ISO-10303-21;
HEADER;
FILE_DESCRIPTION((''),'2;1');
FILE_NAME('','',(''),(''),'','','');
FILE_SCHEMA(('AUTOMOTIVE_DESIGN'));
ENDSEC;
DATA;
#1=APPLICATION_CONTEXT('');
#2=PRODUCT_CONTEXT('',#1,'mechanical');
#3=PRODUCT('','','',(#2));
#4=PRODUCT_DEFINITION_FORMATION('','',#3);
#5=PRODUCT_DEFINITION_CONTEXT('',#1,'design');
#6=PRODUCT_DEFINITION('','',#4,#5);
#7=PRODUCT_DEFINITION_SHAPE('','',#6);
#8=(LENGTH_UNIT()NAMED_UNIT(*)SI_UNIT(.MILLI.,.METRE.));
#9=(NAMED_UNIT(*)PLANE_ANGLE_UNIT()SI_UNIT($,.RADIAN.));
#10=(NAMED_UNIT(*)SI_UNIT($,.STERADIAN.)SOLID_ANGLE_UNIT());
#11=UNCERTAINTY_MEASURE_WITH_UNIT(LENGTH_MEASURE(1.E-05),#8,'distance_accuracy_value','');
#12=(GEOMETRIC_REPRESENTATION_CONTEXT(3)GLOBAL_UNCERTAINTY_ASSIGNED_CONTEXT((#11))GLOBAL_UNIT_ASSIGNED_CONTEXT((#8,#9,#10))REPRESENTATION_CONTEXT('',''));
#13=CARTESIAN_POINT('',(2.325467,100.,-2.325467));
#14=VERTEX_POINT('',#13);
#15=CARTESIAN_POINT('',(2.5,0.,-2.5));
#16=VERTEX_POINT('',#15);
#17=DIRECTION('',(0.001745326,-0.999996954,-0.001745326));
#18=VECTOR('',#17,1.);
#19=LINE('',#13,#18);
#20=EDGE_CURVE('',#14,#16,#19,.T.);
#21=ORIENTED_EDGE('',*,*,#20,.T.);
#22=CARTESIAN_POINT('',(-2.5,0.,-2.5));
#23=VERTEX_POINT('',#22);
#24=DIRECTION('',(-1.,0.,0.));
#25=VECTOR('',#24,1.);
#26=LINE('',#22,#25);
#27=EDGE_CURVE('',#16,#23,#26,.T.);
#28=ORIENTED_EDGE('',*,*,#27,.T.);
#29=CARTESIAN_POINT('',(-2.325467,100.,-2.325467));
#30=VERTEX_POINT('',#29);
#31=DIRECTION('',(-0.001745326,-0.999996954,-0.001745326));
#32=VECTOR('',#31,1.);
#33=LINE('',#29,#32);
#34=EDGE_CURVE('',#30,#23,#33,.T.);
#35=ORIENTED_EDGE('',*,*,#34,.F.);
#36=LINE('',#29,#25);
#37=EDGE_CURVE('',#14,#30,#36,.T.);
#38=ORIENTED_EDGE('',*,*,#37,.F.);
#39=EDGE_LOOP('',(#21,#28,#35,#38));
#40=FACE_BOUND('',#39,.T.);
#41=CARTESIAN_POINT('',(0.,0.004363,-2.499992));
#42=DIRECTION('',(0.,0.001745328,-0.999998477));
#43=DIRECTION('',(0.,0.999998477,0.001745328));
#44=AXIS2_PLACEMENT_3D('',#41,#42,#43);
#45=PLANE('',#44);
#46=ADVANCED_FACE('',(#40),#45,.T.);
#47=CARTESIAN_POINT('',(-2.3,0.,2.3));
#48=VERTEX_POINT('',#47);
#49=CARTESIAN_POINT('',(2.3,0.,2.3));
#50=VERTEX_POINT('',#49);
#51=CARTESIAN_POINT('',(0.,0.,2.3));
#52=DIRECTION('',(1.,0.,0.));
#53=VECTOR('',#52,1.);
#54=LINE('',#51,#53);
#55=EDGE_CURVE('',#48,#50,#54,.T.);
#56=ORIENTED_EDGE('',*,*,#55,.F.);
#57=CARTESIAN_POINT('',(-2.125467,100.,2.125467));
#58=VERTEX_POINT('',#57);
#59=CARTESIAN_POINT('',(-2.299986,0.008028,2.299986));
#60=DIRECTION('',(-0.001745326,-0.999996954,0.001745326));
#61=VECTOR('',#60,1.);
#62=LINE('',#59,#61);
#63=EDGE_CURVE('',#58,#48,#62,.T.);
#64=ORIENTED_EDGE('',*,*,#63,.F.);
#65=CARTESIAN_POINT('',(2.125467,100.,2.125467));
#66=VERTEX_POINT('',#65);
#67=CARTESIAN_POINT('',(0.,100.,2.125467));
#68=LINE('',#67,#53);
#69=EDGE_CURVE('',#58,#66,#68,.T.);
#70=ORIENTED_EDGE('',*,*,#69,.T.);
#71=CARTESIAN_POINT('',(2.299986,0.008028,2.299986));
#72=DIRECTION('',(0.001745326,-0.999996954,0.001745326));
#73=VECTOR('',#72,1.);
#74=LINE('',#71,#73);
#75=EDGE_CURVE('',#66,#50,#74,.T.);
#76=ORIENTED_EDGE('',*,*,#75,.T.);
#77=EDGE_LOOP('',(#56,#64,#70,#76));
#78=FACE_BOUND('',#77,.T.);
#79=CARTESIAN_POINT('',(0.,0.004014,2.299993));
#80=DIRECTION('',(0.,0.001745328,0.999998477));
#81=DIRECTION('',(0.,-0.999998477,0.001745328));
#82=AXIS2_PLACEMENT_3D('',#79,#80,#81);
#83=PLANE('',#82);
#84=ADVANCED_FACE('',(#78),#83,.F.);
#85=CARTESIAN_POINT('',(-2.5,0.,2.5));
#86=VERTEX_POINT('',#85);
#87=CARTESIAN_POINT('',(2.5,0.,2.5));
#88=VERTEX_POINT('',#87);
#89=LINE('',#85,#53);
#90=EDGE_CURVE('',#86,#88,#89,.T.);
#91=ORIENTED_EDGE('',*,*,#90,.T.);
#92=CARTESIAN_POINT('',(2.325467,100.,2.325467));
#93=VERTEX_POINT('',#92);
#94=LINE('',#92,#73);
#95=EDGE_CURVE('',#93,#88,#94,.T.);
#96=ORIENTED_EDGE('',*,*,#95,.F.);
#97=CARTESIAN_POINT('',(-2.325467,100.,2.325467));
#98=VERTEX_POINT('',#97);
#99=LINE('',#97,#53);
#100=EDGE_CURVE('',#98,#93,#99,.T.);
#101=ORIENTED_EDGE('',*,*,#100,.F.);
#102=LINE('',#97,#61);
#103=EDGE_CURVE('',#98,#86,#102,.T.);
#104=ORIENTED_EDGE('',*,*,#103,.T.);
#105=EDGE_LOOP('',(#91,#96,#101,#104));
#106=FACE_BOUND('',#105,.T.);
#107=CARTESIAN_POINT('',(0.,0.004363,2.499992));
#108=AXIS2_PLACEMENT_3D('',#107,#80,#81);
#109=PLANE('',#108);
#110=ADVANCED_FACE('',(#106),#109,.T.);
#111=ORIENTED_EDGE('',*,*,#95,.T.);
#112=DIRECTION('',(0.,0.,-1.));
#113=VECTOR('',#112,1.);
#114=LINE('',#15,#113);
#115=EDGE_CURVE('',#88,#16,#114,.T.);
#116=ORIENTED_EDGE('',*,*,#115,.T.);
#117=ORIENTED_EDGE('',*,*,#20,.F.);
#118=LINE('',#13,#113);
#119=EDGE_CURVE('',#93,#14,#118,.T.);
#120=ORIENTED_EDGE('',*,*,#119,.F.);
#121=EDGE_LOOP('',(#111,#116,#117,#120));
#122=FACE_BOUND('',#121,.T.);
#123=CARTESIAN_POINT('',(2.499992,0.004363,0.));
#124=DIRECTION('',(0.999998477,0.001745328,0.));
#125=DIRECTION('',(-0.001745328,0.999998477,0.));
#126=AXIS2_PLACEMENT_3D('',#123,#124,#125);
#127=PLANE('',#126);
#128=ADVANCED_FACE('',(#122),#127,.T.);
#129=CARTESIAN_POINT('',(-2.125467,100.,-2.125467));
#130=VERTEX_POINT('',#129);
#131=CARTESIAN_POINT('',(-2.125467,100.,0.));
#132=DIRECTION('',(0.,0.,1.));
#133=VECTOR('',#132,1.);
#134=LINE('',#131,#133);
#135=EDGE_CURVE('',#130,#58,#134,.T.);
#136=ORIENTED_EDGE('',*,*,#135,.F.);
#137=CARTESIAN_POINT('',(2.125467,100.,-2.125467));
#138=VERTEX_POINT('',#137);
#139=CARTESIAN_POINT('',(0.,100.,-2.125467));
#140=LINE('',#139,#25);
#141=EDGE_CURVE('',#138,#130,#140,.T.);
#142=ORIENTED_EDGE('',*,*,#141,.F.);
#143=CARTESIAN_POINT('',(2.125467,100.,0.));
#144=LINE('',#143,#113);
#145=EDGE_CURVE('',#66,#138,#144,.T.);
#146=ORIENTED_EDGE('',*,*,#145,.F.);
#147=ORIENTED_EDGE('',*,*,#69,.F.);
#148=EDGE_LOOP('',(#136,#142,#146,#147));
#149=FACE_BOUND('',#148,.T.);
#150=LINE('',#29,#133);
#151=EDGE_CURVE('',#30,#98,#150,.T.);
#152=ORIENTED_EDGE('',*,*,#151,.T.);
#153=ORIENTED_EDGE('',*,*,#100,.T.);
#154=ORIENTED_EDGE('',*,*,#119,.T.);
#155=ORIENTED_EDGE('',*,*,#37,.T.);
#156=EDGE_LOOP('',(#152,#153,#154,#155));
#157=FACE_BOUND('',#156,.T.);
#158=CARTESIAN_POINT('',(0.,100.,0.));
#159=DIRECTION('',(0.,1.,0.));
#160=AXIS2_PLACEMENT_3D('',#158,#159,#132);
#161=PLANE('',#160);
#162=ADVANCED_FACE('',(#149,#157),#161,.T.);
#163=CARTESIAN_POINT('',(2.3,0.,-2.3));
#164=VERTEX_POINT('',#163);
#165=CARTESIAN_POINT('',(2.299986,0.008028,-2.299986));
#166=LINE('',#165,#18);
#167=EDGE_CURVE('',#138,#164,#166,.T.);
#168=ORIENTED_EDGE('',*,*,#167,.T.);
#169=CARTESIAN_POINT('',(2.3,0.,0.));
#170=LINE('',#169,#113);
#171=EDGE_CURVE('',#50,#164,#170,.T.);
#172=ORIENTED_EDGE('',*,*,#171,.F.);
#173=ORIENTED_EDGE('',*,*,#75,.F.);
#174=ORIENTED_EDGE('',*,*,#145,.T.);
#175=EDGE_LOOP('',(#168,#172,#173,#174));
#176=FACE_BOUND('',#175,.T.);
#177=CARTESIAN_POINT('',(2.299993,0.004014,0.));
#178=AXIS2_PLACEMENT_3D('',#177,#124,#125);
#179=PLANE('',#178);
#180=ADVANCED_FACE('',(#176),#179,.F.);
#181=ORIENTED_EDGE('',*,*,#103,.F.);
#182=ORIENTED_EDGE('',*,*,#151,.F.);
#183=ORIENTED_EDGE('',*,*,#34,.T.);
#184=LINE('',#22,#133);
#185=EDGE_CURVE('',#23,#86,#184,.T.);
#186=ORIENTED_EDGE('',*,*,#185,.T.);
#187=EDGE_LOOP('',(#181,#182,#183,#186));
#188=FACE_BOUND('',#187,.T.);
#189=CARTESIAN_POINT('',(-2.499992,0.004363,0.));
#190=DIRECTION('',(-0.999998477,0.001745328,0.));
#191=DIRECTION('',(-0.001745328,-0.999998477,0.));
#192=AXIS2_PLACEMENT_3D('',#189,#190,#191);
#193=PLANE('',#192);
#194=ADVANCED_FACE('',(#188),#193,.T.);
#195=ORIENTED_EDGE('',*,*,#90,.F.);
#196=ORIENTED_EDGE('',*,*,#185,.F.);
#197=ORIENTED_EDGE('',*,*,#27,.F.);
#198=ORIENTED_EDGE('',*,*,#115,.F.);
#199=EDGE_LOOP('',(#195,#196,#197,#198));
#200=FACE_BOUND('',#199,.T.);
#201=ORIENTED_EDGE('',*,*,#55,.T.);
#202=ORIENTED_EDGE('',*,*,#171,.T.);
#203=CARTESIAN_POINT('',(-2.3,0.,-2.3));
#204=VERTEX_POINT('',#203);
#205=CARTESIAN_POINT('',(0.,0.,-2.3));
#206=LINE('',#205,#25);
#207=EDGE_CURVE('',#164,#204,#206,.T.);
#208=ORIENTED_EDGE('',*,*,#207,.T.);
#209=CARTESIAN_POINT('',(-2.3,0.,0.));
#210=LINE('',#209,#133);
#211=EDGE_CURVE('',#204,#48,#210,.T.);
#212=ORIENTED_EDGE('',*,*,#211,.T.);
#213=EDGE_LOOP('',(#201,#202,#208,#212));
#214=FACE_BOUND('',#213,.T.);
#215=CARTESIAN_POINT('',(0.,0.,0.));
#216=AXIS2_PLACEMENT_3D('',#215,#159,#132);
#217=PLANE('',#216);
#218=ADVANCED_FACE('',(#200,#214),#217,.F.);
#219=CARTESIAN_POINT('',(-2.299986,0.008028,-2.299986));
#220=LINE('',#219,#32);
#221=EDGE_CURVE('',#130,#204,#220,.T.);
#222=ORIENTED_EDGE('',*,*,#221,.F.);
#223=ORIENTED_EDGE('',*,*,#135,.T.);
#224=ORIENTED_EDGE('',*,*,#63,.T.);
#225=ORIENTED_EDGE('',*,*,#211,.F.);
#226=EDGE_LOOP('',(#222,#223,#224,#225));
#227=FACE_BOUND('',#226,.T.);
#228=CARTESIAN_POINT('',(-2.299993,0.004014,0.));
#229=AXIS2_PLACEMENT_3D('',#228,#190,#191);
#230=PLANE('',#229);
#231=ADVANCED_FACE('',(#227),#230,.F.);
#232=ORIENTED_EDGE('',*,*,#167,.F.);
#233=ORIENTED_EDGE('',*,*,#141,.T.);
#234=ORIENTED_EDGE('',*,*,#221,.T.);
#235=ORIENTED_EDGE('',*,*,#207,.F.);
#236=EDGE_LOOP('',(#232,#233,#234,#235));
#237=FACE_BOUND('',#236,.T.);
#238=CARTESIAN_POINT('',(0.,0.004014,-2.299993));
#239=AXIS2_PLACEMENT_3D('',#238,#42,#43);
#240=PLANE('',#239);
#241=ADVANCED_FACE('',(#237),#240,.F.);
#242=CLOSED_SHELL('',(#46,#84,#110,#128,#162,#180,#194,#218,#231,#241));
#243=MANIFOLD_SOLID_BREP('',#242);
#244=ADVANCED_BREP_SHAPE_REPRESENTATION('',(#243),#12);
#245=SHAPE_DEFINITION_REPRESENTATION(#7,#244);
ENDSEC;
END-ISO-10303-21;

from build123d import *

# Parameters (mm, degrees)
SHELL_1_T = -0.2


with BuildPart() as part:
    # 草图2 → 放样1 section 0
    with BuildSketch(Plane(origin=(0, 100, 0), x_dir=(1, 0, 0), z_dir=(0, 1, 0))):
        with BuildLine():
            Line((-2.325466898, 2.325466898), (2.325466898, 2.325466898))
            Line((2.325466898, 2.325466898), (2.325466898, -2.325466898))
            Line((2.325466898, -2.325466898), (-2.325466898, -2.325466898))
            Line((-2.325466898, -2.325466898), (-2.325466898, 2.325466898))
        make_face()
    # 草图1 → 放样1 section 1
    with BuildSketch(Plane(origin=(0, 0, 0), x_dir=(1, 0, 0), z_dir=(0, 1, 0))):
        with BuildLine():
            Line((-2.5, 2.5), (2.5, 2.5))
            Line((2.5, 2.5), (2.5, -2.5))
            Line((2.5, -2.5), (-2.5, -2.5))
            Line((-2.5, -2.5), (-2.5, 2.5))
        make_face()
    loft()

    # 抽壳1
    shell_1_openings = [part.faces().sort_by_distance(p)[0] for p in [
        (0, 0, 0),
        (0, 100, 0),
    ]]
    offset(amount=SHELL_1_T, openings=shell_1_openings, kind=Kind.INTERSECTION)


solid = part.part
